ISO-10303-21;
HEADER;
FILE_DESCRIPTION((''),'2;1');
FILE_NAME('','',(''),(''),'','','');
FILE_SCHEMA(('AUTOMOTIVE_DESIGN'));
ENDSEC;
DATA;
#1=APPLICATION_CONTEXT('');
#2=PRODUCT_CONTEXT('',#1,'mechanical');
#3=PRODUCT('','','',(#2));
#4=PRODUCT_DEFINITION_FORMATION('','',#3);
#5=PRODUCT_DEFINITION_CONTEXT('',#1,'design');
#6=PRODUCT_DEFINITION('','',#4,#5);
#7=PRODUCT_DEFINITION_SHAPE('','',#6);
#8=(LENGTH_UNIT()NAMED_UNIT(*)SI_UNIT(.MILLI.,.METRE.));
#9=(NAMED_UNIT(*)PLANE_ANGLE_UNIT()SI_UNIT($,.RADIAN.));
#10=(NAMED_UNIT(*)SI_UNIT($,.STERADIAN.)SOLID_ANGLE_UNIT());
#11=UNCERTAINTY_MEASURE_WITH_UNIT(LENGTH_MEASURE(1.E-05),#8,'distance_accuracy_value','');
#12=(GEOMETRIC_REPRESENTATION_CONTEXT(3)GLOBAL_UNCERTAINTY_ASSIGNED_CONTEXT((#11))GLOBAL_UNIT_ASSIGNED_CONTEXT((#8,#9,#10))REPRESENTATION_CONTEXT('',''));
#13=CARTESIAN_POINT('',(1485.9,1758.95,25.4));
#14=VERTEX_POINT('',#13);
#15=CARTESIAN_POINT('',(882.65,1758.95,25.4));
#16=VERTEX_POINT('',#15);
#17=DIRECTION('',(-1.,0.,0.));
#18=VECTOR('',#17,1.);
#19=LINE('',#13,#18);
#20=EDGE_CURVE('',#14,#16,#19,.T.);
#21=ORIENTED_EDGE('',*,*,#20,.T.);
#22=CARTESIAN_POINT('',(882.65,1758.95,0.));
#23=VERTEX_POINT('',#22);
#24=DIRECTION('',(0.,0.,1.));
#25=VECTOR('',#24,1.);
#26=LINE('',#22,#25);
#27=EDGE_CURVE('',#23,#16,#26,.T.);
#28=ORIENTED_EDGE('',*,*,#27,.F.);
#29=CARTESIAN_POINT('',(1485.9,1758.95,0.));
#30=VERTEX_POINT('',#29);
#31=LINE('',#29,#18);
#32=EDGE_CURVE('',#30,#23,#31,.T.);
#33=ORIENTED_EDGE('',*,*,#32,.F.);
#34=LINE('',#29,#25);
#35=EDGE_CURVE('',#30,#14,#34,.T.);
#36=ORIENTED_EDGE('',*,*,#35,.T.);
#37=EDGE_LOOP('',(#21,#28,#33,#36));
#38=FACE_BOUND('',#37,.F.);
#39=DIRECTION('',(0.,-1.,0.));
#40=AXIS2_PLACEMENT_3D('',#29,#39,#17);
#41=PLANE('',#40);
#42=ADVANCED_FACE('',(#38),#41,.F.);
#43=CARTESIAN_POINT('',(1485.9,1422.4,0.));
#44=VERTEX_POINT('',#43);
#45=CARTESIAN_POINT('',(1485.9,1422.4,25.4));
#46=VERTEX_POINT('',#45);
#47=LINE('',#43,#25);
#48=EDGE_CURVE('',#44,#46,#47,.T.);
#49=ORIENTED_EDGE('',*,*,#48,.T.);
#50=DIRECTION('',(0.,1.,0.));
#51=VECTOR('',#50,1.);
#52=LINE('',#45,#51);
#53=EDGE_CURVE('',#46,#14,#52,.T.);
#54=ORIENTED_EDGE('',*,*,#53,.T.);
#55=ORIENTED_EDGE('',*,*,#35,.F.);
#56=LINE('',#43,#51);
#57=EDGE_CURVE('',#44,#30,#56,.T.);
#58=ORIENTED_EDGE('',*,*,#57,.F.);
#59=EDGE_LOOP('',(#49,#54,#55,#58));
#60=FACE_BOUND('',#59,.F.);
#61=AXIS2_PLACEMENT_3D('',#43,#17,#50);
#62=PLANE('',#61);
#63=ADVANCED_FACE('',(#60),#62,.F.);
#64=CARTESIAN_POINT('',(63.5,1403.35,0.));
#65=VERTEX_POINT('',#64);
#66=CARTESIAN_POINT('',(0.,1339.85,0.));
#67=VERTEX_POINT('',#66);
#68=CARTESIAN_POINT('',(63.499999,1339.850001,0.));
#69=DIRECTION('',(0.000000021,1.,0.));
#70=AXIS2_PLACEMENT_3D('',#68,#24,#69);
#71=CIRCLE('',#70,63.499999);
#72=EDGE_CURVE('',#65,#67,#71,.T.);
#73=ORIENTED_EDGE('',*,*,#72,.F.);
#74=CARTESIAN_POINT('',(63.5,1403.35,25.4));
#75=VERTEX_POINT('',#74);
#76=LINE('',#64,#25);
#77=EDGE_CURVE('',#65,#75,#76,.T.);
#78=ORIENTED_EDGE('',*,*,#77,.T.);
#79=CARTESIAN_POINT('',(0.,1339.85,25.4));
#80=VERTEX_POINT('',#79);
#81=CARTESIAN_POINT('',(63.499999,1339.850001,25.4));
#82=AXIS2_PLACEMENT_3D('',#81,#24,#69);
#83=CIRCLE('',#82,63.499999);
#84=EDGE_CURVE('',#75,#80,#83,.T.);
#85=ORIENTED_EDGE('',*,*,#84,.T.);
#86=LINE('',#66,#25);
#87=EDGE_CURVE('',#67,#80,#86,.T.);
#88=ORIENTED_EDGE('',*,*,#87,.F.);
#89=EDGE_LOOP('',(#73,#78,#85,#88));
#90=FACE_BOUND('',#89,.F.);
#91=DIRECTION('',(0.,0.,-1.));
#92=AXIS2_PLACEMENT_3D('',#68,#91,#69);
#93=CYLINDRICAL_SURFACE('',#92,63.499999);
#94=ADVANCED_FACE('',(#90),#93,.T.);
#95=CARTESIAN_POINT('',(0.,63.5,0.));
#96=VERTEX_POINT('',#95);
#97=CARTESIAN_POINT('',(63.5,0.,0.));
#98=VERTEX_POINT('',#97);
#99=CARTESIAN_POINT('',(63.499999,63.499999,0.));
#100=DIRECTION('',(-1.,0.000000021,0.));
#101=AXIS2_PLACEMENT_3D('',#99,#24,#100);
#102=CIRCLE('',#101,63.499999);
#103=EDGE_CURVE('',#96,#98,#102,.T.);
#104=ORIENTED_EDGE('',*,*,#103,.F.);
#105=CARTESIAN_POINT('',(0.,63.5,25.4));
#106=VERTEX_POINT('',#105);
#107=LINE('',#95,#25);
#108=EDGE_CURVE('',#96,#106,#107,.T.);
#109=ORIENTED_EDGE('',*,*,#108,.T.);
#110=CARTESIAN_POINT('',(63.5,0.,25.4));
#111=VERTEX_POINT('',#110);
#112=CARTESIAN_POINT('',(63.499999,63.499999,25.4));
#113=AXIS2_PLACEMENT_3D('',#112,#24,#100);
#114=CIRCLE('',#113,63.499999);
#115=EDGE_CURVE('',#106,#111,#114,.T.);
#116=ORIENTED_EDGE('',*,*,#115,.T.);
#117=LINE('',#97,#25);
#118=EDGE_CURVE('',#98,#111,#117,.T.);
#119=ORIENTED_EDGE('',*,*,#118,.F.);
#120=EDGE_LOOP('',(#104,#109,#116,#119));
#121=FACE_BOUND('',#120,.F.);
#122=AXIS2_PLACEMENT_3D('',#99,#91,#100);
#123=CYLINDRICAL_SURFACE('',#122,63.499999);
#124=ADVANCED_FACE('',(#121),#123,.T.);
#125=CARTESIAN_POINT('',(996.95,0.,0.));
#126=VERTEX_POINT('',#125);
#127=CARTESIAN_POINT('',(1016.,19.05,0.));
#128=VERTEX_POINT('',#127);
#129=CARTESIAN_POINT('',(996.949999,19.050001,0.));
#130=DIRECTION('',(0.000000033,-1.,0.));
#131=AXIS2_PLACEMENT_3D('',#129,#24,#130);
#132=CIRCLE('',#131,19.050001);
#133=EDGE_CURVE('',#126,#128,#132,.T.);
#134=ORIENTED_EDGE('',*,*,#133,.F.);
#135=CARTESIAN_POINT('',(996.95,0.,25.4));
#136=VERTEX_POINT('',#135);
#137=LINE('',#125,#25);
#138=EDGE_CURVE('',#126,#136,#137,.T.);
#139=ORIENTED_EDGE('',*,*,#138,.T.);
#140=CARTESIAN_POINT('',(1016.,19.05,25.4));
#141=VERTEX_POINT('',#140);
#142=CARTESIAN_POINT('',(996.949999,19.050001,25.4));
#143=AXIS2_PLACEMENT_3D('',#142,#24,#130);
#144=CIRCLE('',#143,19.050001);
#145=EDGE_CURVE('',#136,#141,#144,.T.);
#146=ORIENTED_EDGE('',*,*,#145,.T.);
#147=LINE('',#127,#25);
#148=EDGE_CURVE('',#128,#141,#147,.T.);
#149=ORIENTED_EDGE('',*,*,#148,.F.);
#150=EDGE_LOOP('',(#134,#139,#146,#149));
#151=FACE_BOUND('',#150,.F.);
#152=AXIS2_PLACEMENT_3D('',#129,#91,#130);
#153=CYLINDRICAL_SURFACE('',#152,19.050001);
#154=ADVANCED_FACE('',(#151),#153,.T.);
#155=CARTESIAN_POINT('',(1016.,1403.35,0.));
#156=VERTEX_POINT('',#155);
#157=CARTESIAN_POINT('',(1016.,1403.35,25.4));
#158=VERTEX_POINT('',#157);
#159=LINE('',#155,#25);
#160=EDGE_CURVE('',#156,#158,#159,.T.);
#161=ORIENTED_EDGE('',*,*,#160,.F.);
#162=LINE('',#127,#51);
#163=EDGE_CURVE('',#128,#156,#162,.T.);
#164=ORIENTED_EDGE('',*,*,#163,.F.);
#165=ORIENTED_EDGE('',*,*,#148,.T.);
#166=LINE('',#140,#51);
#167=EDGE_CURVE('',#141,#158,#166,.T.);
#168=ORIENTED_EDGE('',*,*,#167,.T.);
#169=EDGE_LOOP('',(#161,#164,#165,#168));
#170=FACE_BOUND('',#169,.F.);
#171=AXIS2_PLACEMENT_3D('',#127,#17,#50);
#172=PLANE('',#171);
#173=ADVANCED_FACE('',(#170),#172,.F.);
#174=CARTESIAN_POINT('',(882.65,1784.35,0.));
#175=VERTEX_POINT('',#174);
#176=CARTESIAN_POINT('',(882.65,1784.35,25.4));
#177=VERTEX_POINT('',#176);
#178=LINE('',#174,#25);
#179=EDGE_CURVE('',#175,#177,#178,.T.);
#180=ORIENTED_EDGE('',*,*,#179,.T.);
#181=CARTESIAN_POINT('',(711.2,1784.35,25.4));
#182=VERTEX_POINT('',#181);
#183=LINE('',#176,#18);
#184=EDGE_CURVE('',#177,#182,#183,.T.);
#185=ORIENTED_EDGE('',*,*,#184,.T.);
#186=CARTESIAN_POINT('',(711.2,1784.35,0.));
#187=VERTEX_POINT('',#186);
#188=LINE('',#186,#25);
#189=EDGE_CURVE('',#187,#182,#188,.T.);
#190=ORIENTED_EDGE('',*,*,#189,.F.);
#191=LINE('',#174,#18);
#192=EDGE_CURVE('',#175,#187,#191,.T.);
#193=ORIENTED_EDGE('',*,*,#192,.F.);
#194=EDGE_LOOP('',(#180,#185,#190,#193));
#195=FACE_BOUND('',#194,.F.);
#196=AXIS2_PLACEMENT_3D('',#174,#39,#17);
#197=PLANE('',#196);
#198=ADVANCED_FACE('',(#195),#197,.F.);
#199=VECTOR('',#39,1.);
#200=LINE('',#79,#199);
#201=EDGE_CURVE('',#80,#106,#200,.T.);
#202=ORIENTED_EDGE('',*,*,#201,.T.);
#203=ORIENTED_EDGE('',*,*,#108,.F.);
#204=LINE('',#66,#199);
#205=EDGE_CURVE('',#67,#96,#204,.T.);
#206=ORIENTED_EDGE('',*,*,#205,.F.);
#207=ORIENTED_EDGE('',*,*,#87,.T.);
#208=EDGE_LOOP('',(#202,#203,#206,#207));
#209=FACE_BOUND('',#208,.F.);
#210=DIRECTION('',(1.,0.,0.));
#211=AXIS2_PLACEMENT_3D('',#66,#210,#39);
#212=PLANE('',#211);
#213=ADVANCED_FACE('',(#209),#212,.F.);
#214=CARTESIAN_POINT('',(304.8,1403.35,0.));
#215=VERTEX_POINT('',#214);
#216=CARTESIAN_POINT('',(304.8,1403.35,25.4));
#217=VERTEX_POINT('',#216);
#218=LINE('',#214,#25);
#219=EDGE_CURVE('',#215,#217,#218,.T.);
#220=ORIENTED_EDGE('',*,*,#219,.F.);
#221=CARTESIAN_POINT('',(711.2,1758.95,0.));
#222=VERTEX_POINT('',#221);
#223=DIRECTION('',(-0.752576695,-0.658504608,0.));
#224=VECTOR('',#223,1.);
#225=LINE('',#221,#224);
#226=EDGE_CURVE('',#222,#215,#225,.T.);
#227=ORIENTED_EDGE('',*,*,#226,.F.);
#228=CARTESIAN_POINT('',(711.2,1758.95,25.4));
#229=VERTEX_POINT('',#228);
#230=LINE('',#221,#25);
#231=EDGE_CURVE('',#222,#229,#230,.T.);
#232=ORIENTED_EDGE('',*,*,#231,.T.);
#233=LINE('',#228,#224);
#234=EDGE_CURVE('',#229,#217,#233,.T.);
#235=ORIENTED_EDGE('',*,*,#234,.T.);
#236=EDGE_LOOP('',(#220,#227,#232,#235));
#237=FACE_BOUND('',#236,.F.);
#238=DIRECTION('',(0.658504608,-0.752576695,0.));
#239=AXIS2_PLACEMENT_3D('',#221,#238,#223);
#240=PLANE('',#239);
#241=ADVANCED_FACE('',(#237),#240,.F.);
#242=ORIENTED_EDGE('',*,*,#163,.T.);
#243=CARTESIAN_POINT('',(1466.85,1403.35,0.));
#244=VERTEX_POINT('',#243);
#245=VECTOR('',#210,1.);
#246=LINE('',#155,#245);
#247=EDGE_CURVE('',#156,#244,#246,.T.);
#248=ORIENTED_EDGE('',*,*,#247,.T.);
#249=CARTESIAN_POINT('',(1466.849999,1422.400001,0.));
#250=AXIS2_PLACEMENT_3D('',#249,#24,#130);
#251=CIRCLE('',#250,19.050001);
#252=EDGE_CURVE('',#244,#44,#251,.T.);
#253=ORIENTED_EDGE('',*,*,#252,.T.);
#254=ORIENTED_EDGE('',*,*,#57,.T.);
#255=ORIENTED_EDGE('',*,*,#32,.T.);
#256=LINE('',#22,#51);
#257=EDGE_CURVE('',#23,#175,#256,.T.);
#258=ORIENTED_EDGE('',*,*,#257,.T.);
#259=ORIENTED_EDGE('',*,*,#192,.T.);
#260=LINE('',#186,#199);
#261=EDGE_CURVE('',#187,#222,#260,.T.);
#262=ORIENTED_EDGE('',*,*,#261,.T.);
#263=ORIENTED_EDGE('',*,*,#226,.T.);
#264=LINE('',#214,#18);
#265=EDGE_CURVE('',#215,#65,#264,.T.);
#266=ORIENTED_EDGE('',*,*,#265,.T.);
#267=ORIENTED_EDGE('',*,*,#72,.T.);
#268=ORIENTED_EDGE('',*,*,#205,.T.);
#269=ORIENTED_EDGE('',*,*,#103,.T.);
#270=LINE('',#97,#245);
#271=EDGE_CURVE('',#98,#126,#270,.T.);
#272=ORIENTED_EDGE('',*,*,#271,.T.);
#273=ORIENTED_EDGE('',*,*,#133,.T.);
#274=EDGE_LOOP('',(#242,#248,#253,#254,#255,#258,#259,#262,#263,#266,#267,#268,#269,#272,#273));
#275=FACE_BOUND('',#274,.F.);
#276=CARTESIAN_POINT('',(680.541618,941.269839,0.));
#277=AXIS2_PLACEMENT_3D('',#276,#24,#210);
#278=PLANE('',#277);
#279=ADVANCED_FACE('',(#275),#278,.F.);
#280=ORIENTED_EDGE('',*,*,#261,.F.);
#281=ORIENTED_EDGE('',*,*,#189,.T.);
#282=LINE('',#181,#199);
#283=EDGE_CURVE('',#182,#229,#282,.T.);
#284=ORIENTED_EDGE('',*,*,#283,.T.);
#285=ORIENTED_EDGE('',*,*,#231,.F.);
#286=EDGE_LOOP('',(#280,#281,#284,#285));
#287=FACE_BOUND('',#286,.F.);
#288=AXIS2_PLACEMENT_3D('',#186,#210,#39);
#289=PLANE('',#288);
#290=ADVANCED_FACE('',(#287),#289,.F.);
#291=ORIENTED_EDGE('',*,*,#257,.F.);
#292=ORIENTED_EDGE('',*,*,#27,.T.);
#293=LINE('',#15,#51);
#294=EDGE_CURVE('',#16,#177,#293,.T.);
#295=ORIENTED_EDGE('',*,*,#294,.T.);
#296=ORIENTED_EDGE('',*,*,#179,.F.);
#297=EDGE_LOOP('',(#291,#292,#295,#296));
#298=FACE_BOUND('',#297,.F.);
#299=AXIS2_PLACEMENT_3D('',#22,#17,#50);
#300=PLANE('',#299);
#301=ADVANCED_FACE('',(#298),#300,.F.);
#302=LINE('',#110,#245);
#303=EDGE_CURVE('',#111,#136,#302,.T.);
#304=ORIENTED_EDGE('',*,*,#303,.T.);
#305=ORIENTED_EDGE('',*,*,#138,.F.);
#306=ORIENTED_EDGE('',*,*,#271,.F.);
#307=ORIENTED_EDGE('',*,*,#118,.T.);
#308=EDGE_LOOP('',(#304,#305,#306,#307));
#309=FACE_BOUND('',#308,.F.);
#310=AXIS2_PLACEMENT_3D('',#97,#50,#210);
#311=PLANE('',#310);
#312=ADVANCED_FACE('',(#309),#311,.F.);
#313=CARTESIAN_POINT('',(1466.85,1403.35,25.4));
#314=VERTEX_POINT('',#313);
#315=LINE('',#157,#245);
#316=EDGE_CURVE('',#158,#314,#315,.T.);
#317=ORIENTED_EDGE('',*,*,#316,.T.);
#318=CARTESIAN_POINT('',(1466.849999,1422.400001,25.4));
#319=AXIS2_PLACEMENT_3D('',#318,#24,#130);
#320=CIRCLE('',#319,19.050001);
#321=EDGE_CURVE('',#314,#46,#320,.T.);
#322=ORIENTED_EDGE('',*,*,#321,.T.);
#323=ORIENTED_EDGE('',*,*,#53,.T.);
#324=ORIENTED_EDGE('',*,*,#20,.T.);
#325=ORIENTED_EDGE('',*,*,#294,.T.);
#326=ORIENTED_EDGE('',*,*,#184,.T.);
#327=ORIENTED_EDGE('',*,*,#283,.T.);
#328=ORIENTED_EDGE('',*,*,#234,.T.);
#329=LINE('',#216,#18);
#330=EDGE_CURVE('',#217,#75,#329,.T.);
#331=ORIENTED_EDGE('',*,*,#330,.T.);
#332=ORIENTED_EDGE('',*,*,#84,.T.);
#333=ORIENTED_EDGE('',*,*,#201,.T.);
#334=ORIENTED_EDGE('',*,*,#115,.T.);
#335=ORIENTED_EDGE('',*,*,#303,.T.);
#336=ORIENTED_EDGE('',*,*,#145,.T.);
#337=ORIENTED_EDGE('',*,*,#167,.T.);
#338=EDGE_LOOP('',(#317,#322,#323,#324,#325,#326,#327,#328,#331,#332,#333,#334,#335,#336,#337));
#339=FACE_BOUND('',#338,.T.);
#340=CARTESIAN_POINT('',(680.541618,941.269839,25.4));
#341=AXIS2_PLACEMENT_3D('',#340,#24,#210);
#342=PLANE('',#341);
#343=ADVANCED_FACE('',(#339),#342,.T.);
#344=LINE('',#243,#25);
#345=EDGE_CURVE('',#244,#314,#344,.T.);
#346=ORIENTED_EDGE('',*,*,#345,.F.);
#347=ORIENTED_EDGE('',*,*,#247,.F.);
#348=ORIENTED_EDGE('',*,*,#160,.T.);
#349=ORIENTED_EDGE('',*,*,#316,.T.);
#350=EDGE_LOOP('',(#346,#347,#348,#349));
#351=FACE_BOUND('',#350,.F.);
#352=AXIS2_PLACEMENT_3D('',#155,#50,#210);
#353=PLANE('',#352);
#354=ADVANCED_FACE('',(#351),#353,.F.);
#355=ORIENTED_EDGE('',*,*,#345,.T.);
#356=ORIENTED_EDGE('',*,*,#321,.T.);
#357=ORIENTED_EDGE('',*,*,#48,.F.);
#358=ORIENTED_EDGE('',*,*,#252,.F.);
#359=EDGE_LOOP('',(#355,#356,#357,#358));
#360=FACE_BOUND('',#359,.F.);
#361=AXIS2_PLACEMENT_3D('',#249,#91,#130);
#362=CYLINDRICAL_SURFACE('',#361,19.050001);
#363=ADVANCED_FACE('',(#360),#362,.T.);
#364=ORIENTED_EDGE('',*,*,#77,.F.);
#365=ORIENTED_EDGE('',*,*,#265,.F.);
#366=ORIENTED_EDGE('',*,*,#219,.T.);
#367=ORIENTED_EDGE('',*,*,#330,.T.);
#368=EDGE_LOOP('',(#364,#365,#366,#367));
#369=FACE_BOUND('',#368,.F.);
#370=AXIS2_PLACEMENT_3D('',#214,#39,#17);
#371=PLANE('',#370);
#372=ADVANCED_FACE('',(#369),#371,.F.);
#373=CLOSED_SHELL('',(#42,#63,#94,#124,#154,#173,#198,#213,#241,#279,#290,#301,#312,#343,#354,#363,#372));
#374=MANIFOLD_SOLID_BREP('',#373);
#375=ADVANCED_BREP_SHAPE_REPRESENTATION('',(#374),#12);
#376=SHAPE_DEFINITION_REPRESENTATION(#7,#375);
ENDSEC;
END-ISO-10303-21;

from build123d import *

# Parameters (mm, degrees)
F1_DEPTH = 25.4


with BuildPart() as f1:
    # F0 (on Top) → F1 (new body)
    with BuildSketch(Plane.XY):
        with BuildLine():
            ThreePointArc((63.5, 1403.35), (18.598719, 1384.751281), (0, 1339.85))
            Line((0, 1339.85), (0, 63.5))
            ThreePointArc((0, 63.5), (18.598719, 18.598719), (63.5, 0))
            Line((63.5, 0), (996.95, 0))
            ThreePointArc((996.95, 0), (1010.420384, 5.579616), (1016, 19.05))
            Line((1016, 19.05), (1016, 1403.35))
            Line((1016, 1403.35), (1466.85, 1403.35))
            ThreePointArc((1466.85, 1403.35), (1480.320384, 1408.929616), (1485.9, 1422.4))
            Line((1485.9, 1422.4), (1485.9, 1758.95))
            Line((1485.9, 1758.95), (882.65, 1758.95))
            Line((882.65, 1758.95), (882.65, 1784.35))
            Line((882.65, 1784.35), (711.2, 1784.35))
            Line((711.2, 1784.35), (711.2, 1758.95))
            Line((711.2, 1758.95), (304.8, 1403.35))
            Line((304.8, 1403.35), (63.5, 1403.35))
        make_face()
    extrude(amount=F1_DEPTH)


solid = f1.part
